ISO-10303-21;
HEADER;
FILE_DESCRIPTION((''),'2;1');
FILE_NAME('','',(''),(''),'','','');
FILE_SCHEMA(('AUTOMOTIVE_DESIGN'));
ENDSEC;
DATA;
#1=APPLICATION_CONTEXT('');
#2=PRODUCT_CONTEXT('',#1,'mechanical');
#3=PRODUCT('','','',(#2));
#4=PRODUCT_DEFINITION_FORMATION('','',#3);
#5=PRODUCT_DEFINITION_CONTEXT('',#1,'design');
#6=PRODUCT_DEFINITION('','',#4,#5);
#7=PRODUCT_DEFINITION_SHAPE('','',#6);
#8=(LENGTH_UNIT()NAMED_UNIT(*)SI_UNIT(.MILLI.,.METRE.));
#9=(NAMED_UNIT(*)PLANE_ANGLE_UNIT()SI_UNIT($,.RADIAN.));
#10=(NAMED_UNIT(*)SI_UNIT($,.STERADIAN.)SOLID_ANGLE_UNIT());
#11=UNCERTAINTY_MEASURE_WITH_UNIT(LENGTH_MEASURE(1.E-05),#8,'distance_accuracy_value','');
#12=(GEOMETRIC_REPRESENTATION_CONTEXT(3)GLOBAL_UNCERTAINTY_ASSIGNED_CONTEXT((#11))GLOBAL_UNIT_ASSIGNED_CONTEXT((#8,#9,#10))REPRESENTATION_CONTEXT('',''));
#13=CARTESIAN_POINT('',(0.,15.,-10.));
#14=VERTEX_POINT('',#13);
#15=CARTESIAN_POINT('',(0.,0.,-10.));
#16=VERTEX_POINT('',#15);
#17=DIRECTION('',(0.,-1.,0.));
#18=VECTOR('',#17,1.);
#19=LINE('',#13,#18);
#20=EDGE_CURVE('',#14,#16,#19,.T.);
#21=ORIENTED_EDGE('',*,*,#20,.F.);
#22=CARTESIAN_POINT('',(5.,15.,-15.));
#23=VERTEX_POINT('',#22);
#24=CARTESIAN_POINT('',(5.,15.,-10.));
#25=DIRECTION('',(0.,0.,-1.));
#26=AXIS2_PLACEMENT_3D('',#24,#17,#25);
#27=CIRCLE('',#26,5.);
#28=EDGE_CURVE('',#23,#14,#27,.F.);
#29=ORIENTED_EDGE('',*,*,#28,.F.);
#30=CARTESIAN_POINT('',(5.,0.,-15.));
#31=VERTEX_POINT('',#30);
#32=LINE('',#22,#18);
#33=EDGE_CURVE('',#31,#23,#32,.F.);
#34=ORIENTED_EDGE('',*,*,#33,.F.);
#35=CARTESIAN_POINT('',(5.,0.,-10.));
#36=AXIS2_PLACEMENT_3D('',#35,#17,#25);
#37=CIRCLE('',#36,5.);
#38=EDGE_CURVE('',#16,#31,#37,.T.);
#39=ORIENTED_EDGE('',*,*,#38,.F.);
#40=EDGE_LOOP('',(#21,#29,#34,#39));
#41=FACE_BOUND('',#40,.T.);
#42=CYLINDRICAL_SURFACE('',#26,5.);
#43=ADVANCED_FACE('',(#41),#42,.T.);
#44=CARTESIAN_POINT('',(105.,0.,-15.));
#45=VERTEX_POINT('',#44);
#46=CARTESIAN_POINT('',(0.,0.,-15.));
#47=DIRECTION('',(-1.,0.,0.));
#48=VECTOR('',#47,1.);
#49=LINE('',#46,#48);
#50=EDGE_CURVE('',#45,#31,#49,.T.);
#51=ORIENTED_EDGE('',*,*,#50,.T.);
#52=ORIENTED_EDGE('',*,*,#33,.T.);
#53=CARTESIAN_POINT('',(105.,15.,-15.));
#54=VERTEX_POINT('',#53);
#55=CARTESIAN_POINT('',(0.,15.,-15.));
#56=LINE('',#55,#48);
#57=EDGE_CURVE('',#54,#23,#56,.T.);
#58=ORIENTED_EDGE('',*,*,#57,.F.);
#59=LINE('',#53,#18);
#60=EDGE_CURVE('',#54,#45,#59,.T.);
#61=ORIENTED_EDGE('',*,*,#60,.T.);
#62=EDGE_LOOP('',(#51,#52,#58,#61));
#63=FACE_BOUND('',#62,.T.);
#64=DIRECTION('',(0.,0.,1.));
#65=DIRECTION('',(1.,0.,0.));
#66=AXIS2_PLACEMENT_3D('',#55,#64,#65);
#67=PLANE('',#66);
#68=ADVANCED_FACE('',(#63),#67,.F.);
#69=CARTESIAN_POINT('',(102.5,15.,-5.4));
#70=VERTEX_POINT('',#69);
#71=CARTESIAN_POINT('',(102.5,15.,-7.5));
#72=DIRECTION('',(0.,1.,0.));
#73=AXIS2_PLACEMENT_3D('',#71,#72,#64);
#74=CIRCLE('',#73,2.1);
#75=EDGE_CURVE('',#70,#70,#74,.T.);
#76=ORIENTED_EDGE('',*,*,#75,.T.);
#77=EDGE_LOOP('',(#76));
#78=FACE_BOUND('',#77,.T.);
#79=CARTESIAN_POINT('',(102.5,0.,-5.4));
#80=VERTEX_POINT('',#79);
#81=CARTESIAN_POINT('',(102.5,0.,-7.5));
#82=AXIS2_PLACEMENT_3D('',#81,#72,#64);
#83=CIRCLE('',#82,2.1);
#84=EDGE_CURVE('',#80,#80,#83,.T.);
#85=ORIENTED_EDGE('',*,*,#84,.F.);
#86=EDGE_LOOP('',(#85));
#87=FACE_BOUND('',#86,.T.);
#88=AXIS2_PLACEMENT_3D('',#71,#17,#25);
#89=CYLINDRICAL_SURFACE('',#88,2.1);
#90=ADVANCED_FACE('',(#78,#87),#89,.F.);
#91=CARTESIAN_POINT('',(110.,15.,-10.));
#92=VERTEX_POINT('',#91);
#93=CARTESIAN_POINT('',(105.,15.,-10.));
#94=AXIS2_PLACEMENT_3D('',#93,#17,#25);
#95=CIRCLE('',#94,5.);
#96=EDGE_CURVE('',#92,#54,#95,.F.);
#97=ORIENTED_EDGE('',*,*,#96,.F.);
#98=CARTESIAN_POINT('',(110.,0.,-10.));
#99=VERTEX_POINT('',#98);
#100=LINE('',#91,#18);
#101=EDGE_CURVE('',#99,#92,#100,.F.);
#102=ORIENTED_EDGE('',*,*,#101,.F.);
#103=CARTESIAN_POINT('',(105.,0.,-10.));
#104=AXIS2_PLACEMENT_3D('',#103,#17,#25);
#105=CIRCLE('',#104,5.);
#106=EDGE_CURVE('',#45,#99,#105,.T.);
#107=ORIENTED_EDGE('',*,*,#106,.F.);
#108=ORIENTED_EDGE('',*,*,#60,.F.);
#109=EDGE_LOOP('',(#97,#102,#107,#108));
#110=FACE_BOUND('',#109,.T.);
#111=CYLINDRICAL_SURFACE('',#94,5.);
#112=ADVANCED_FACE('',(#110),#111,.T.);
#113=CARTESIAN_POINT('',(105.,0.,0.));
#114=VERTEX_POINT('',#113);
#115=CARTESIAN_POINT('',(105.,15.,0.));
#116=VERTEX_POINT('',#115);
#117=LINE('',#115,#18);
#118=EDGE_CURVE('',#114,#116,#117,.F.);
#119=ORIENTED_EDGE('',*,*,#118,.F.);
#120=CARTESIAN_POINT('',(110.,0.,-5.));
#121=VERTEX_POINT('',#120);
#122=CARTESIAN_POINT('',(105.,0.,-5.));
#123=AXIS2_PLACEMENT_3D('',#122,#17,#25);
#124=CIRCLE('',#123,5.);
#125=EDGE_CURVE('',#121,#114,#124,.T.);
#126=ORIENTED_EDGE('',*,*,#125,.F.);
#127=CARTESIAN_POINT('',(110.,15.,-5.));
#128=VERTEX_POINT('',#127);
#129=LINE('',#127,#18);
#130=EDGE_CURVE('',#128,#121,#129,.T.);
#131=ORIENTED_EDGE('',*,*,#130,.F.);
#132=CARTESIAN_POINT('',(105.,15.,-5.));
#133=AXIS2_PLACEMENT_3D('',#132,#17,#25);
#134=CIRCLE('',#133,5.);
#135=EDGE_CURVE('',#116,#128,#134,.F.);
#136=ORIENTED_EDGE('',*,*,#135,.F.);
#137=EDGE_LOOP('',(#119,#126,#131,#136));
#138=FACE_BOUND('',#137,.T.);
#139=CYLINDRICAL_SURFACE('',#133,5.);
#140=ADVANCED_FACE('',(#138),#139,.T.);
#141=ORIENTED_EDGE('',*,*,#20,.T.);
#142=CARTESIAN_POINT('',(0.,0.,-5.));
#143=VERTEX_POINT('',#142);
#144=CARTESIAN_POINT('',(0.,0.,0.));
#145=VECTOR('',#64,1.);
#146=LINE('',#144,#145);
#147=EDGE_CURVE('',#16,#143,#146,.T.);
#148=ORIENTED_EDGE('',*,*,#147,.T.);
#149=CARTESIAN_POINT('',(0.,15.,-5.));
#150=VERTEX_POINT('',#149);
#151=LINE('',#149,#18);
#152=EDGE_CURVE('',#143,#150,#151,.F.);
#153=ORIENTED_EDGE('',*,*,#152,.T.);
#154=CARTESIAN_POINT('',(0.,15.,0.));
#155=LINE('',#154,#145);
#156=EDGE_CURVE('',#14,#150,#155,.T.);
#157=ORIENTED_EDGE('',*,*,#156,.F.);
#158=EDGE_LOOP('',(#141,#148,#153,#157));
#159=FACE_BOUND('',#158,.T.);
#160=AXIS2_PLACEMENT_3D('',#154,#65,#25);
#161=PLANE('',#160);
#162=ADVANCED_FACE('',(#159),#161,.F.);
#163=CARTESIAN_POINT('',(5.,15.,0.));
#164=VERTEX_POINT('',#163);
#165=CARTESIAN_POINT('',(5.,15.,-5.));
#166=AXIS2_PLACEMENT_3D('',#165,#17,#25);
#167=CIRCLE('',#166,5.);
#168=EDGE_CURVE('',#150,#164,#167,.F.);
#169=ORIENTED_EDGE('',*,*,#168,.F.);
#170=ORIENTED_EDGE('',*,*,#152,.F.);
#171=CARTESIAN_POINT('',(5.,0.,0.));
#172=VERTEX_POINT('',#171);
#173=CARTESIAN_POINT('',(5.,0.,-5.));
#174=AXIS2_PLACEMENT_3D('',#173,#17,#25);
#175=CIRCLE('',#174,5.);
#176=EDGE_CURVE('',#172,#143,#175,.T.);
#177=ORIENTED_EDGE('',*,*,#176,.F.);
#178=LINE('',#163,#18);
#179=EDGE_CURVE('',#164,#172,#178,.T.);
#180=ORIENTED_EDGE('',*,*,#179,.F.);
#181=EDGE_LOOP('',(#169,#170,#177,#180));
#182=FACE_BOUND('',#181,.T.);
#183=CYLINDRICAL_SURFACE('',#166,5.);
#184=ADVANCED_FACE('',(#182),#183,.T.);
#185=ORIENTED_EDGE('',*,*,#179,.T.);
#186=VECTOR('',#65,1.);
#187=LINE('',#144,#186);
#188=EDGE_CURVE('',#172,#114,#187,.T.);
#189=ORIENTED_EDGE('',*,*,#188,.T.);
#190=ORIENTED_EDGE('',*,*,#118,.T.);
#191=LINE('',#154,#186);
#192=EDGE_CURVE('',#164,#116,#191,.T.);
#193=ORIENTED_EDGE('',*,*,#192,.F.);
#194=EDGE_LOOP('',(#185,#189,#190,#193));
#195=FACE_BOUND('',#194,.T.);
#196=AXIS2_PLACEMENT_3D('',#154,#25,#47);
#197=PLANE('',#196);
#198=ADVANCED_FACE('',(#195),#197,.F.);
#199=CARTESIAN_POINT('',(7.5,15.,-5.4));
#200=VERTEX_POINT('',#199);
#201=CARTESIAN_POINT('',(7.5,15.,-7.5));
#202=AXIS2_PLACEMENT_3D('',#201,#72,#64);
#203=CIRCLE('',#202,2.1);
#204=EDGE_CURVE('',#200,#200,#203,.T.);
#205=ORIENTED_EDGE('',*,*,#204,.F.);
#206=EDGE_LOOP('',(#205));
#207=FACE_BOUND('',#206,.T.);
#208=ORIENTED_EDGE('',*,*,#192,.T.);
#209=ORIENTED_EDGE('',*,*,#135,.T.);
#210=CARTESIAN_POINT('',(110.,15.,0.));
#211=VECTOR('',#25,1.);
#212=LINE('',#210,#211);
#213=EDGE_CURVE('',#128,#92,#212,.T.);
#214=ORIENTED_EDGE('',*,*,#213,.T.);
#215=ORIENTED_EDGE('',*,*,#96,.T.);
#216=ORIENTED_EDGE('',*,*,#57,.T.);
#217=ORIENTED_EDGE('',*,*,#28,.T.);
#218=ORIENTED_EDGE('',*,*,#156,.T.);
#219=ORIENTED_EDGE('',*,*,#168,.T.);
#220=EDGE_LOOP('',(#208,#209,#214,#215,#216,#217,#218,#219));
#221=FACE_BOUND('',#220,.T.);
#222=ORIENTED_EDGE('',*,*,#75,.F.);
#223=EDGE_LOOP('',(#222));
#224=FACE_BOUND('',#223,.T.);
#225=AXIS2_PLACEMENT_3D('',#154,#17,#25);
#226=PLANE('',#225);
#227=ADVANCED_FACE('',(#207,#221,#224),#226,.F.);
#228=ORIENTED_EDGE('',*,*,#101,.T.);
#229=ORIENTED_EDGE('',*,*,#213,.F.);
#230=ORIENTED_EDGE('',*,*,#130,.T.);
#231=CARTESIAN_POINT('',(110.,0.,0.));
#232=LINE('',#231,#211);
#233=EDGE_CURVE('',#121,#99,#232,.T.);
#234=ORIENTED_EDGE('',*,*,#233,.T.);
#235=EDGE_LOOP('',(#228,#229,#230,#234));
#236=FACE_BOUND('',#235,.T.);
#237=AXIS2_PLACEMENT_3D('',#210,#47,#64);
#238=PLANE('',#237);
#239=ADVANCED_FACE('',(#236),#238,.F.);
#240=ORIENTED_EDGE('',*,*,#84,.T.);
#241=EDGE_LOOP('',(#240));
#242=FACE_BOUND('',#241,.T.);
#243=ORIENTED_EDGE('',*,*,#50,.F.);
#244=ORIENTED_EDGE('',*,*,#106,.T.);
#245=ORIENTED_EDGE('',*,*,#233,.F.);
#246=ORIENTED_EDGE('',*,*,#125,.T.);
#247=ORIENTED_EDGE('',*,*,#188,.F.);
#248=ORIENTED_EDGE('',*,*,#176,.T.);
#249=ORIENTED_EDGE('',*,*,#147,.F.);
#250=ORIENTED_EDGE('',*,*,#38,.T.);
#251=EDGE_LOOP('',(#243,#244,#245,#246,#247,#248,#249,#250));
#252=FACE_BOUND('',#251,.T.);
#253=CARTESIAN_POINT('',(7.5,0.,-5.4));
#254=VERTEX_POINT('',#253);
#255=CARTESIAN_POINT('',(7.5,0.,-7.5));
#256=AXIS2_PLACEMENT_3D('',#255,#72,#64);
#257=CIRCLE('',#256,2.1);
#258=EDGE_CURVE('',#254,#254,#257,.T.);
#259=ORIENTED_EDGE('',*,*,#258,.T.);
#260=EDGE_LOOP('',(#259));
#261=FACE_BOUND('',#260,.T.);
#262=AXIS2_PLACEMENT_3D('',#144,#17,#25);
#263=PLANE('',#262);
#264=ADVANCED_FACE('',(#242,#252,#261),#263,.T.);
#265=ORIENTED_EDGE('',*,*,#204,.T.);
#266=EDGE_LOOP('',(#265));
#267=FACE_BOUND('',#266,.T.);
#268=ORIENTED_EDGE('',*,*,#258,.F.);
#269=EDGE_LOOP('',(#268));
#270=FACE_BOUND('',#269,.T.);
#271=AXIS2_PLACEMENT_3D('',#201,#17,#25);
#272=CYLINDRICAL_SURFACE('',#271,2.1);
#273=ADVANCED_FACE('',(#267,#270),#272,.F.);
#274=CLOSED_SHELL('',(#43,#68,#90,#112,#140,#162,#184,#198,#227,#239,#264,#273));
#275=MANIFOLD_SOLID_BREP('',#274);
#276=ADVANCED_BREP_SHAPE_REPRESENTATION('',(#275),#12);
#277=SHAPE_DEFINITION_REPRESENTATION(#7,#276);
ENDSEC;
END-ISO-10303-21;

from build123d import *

# Parameters (mm, degrees)
SKETCH_1_W      = 110
SKETCH_1_H      = 15
SKETCH_1_R      = 2.1
EXTRUDE_1_DEPTH = 15
FILLET_1_R      = 5


with BuildPart() as part:
    # 草图1 → 凸台-拉伸1 (new body)
    with BuildSketch(Plane(origin=(0, 0, 0), x_dir=(1, 0, 0), z_dir=(0, 1, 0))):
        with Locations((55, 7.5)):
            Rectangle(SKETCH_1_W, SKETCH_1_H)
        with Locations(Location((7.5, 7.5, 0), (0, 0, 270))):
            Circle(SKETCH_1_R, mode=Mode.SUBTRACT)
        with Locations(Location((102.5, 7.5, 0), (0, 0, 270))):
            Circle(SKETCH_1_R, mode=Mode.SUBTRACT)
    extrude(amount=EXTRUDE_1_DEPTH)

    # 圆角1
    fillet_1_edges = [part.edges().sort_by_distance(p)[0] for p in [
        (0, 7.5, -15),
        (110, 7.5, -15),
        (110, 7.5, 0),
        (0, 7.5, 0),
    ]]
    fillet(fillet_1_edges, radius=FILLET_1_R)


solid = part.part
